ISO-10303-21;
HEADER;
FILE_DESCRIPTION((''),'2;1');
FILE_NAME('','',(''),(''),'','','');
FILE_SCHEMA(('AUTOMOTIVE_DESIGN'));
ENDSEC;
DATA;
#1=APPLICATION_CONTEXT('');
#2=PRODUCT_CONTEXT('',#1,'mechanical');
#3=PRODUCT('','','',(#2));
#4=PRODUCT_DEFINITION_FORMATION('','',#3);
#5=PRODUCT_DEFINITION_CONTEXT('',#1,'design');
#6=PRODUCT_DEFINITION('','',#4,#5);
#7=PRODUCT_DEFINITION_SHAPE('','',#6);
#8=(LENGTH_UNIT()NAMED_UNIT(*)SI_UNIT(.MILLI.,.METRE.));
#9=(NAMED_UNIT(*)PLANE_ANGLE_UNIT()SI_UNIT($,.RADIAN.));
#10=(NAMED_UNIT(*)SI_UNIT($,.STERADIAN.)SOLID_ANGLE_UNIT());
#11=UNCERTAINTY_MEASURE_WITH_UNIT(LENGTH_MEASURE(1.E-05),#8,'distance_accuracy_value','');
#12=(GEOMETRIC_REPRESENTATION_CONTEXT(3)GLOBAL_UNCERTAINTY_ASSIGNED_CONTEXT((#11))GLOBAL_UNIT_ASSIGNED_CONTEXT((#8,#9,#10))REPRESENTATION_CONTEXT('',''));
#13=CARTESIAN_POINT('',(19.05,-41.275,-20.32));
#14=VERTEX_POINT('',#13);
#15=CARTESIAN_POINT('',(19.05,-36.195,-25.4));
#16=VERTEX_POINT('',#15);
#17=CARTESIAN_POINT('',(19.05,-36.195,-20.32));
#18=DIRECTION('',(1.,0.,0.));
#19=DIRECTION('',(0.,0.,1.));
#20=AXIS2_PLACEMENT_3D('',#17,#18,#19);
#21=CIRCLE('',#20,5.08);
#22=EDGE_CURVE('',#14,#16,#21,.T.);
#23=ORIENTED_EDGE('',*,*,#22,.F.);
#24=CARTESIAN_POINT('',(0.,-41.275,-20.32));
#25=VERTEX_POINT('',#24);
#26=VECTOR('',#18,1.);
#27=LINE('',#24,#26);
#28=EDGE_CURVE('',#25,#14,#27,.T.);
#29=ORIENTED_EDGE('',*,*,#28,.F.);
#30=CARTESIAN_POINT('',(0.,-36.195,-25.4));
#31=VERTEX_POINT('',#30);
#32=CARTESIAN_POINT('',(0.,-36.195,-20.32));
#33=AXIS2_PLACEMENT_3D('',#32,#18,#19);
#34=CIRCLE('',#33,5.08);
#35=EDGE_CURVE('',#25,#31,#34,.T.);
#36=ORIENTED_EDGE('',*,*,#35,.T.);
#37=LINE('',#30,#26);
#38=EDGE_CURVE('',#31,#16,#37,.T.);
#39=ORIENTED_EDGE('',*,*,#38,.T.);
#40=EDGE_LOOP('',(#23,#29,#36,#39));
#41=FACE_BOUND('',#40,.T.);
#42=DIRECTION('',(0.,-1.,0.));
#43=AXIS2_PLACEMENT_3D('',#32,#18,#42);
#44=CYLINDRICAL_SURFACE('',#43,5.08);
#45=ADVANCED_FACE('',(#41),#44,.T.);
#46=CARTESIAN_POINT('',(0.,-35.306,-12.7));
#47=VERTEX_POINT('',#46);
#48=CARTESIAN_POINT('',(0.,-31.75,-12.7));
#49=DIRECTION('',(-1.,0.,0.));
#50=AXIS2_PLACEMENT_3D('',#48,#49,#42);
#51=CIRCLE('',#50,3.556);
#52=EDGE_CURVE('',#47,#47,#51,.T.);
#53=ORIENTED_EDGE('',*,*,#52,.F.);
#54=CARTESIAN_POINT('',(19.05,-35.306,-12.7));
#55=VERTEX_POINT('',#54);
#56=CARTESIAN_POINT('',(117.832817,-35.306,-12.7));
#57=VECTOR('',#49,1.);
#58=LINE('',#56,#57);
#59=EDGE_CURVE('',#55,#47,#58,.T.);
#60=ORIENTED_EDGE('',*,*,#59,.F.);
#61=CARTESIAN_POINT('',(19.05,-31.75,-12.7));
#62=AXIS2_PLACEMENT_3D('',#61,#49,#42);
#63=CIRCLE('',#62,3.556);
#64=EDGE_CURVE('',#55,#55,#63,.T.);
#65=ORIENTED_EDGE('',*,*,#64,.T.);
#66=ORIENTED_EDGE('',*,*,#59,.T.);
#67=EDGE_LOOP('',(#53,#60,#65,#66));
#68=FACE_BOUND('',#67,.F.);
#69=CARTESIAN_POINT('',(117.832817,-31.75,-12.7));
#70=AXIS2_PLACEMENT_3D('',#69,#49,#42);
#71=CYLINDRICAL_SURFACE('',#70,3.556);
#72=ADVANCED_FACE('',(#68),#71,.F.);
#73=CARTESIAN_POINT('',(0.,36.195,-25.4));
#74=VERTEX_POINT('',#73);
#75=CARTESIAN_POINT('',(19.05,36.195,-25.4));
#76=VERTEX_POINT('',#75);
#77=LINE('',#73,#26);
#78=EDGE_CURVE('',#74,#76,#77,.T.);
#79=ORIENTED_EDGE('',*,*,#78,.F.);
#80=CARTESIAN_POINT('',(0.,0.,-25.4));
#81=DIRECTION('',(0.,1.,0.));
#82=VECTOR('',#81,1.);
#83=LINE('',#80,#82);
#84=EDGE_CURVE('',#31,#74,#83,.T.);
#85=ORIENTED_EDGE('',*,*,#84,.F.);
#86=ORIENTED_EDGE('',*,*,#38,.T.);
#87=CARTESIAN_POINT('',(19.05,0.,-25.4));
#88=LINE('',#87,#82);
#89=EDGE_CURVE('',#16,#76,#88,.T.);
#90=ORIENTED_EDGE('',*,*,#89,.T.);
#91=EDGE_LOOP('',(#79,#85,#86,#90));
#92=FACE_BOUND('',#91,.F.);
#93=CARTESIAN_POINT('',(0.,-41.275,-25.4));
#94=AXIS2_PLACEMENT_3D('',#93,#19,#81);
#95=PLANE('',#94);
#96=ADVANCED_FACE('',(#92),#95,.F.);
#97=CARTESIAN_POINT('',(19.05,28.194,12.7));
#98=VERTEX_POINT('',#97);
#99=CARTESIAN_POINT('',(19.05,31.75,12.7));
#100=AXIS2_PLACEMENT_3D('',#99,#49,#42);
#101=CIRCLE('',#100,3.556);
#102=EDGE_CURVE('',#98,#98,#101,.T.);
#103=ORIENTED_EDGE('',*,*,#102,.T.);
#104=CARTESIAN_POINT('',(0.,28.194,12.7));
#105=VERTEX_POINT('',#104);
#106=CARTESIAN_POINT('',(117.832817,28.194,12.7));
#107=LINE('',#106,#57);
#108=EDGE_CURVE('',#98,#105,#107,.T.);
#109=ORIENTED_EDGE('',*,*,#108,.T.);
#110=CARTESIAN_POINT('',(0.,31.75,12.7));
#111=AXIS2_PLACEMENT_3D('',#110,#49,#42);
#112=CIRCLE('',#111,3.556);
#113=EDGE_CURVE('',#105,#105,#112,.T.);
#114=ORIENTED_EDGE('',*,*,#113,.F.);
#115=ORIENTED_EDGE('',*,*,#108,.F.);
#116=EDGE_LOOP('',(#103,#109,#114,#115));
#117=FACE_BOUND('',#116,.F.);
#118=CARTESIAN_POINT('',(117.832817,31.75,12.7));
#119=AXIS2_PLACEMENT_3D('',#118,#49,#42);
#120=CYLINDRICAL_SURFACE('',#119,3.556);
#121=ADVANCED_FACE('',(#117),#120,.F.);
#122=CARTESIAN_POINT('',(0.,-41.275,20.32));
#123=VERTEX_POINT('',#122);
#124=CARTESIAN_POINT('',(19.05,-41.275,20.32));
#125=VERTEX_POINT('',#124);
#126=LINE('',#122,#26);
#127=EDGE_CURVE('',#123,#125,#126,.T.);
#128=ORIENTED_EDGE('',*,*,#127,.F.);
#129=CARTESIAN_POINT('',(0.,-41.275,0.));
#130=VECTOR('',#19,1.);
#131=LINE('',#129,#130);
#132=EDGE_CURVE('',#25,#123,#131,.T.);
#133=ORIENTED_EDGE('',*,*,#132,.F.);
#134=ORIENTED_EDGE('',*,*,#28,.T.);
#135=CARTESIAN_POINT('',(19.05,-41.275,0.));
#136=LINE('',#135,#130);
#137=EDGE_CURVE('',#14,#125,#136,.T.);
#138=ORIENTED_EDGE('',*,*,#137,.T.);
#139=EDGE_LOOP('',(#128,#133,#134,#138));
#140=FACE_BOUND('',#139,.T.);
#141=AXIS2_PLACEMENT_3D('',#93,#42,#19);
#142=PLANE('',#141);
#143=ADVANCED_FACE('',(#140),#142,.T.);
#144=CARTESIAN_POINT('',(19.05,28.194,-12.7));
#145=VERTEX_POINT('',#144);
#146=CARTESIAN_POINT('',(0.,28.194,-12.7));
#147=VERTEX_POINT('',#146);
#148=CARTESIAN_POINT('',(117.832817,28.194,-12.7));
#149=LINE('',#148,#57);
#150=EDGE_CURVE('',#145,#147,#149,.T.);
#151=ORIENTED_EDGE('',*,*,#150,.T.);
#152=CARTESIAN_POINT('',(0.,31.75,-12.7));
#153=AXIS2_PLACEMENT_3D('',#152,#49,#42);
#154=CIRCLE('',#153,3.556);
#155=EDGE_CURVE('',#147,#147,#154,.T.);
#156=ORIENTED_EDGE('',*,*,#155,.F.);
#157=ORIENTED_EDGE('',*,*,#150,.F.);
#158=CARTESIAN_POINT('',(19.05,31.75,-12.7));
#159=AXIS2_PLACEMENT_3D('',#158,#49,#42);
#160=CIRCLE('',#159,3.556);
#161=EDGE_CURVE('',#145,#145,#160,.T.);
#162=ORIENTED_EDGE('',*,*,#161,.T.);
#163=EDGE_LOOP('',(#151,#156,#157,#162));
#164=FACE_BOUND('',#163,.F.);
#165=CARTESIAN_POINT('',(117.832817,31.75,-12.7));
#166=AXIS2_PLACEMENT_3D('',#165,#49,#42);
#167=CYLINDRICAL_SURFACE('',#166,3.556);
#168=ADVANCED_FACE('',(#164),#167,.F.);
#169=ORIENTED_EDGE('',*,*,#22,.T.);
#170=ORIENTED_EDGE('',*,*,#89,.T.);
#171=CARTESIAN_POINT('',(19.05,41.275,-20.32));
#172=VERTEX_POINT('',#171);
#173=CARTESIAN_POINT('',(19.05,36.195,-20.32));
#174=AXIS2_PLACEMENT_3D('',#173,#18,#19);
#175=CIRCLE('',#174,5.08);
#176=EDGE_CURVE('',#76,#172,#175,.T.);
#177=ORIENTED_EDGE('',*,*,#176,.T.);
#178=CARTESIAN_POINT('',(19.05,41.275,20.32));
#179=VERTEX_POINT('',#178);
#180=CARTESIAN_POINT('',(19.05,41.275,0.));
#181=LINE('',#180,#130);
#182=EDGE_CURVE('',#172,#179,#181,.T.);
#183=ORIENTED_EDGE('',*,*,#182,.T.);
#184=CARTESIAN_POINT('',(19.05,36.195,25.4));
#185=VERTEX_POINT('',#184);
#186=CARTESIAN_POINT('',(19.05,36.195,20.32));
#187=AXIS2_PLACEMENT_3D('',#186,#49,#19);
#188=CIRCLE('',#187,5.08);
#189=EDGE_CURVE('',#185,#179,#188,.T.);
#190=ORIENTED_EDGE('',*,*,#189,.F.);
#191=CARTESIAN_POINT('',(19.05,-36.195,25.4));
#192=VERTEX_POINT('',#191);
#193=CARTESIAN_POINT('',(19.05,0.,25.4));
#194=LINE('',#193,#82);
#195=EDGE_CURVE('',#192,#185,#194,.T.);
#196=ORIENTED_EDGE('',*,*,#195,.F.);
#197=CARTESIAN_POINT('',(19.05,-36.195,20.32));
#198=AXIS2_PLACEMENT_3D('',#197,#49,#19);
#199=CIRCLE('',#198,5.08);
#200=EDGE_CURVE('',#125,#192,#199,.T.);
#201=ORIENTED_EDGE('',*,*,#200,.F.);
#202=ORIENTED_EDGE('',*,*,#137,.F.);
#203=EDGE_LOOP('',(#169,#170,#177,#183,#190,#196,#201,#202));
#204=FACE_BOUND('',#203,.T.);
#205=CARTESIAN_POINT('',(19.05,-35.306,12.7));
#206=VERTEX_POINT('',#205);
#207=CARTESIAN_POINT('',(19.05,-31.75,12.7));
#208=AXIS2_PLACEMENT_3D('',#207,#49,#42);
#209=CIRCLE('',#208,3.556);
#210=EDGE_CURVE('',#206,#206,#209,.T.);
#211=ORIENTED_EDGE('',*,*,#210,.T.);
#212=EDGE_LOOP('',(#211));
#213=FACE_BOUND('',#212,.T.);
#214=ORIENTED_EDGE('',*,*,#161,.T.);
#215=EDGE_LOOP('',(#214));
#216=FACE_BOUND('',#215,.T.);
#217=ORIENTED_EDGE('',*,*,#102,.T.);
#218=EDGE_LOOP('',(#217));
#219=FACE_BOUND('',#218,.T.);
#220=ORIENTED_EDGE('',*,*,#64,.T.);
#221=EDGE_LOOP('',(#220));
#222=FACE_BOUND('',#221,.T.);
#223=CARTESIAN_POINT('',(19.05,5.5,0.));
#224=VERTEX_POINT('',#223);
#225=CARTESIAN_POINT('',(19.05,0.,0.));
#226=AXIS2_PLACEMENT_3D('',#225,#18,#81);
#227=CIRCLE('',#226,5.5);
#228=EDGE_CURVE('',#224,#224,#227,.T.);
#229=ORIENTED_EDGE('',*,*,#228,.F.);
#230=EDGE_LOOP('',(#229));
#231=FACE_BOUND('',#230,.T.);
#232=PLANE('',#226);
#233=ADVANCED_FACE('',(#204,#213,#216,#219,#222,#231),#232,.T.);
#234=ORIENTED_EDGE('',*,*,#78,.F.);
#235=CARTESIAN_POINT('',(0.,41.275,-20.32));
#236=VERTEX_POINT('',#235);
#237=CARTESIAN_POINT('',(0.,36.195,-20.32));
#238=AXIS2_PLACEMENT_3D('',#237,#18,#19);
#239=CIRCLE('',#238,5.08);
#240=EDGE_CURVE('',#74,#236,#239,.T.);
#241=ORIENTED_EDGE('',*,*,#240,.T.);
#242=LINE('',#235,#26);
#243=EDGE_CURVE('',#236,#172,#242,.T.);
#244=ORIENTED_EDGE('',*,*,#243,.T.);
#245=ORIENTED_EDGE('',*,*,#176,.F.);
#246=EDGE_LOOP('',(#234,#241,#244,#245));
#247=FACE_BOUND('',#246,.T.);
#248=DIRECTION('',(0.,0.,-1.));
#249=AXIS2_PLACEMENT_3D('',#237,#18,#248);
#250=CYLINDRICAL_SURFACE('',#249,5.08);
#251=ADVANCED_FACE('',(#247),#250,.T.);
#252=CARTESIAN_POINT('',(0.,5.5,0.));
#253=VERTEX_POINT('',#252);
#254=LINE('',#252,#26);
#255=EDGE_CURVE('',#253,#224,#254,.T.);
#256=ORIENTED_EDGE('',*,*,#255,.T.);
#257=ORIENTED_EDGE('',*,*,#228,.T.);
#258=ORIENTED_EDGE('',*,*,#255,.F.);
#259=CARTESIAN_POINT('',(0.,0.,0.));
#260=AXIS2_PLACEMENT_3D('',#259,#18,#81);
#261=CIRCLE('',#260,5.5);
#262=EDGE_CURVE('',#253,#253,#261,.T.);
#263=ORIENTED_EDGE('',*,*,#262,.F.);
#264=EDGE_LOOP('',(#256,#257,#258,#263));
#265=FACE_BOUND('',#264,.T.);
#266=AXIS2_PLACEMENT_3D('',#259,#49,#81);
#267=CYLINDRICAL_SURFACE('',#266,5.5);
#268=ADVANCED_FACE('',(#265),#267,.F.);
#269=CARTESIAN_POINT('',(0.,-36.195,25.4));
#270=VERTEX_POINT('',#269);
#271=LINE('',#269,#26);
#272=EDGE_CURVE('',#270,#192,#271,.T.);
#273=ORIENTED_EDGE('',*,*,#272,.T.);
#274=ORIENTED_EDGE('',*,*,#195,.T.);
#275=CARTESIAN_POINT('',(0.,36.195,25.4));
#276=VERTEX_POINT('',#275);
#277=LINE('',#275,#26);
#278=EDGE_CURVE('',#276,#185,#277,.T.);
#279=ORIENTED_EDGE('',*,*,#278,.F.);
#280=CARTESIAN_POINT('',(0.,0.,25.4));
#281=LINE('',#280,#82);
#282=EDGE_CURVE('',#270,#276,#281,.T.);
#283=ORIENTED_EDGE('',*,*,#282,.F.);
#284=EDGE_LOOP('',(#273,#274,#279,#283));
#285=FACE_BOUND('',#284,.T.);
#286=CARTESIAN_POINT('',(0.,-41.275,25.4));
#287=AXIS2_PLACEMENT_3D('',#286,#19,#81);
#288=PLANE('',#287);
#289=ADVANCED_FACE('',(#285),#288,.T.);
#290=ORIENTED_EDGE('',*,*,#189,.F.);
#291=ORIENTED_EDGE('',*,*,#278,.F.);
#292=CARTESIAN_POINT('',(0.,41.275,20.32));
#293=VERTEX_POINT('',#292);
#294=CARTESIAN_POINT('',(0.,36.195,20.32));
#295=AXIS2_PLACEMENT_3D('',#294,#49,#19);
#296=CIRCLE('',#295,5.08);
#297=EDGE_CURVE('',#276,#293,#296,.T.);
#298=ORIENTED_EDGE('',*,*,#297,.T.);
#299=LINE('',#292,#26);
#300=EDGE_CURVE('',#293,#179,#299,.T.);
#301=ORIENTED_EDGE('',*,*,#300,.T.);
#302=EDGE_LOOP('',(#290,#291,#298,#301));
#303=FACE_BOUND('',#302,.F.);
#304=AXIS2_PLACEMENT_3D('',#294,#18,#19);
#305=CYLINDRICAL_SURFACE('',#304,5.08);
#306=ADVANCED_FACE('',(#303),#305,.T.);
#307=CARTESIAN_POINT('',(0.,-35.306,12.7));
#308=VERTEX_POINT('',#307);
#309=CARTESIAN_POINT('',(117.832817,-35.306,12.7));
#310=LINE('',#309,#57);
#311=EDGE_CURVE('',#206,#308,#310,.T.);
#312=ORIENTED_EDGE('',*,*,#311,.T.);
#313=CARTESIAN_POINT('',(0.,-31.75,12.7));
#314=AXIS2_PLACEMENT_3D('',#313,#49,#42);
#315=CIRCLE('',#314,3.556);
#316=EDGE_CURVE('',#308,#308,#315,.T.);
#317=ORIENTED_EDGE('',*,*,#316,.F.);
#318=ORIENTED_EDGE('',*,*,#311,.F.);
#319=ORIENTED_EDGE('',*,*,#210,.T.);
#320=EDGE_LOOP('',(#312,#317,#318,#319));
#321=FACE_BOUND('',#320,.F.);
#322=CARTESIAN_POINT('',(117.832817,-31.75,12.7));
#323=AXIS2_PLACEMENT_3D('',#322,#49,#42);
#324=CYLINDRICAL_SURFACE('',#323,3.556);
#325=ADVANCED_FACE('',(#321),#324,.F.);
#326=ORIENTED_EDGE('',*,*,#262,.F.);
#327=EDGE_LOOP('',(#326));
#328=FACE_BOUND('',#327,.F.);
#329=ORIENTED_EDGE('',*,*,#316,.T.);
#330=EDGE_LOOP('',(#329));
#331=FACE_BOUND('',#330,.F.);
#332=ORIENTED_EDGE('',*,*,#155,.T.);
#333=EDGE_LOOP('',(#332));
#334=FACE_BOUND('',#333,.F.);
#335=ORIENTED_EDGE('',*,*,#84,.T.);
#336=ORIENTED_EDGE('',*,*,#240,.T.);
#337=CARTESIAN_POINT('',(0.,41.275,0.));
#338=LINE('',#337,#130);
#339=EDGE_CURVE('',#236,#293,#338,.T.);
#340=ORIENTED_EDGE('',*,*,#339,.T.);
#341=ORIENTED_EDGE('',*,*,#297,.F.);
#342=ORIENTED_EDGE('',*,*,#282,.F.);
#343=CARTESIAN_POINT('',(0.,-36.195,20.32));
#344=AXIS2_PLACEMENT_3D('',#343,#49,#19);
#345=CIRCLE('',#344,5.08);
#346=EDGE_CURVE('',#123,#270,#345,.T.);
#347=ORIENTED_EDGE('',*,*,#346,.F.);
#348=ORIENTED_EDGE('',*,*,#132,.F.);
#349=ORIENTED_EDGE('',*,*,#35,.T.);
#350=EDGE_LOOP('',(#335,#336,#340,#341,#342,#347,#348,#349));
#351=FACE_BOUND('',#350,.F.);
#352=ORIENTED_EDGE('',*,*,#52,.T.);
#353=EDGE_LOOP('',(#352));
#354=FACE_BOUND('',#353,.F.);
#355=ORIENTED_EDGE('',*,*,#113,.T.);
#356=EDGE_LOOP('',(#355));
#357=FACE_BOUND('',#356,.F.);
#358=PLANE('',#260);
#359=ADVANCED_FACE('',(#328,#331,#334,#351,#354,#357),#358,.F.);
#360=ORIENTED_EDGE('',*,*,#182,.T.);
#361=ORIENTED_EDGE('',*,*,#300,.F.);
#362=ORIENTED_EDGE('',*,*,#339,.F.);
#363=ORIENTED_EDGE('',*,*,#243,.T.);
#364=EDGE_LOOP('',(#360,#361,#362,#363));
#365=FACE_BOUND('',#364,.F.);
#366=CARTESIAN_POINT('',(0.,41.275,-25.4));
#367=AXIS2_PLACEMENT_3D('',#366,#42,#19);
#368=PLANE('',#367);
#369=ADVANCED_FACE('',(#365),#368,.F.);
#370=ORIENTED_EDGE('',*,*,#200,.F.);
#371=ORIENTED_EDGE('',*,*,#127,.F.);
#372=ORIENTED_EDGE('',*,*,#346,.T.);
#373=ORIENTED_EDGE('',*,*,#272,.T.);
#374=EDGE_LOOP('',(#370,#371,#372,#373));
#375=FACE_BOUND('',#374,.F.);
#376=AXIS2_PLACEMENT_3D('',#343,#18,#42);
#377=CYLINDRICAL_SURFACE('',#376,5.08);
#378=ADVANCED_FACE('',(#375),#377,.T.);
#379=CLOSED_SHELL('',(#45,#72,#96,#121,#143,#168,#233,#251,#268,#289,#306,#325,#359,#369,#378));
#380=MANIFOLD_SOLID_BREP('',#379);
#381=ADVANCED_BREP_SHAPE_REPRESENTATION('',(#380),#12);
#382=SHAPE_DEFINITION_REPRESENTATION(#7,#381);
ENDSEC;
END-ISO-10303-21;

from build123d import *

# Parameters (mm, degrees)
F0_W     = 82.55
F0_H     = 50.8
F0_R     = 5.5
F1_DEPTH = 19.05
F3_D     = 7.112
F4_R     = 5.08


with BuildPart() as f1:
    # F0 (on Right) → F1 (new body)
    with BuildSketch(Plane.YZ):
        Rectangle(F0_W, F0_H)
        Circle(F0_R, mode=Mode.SUBTRACT)
    extrude(amount=F1_DEPTH)

    # F3 (through all)
    with Locations(Plane.YZ.offset(19.05)):
        with Locations((-31.75, 12.7), (31.75, 12.7), (31.75, -12.7), (-31.75, -12.7)):
            Hole(F3_D / 2)

    # F4
    f4_edges = [f1.edges().sort_by_distance(p)[0] for p in [
        (9.525, -41.275, 25.4),
        (9.525, -41.275, -25.4),
        (9.525, 41.275, -25.4),
        (9.525, 41.275, 25.4),
    ]]
    fillet(f4_edges, radius=F4_R)


solid = f1.part
